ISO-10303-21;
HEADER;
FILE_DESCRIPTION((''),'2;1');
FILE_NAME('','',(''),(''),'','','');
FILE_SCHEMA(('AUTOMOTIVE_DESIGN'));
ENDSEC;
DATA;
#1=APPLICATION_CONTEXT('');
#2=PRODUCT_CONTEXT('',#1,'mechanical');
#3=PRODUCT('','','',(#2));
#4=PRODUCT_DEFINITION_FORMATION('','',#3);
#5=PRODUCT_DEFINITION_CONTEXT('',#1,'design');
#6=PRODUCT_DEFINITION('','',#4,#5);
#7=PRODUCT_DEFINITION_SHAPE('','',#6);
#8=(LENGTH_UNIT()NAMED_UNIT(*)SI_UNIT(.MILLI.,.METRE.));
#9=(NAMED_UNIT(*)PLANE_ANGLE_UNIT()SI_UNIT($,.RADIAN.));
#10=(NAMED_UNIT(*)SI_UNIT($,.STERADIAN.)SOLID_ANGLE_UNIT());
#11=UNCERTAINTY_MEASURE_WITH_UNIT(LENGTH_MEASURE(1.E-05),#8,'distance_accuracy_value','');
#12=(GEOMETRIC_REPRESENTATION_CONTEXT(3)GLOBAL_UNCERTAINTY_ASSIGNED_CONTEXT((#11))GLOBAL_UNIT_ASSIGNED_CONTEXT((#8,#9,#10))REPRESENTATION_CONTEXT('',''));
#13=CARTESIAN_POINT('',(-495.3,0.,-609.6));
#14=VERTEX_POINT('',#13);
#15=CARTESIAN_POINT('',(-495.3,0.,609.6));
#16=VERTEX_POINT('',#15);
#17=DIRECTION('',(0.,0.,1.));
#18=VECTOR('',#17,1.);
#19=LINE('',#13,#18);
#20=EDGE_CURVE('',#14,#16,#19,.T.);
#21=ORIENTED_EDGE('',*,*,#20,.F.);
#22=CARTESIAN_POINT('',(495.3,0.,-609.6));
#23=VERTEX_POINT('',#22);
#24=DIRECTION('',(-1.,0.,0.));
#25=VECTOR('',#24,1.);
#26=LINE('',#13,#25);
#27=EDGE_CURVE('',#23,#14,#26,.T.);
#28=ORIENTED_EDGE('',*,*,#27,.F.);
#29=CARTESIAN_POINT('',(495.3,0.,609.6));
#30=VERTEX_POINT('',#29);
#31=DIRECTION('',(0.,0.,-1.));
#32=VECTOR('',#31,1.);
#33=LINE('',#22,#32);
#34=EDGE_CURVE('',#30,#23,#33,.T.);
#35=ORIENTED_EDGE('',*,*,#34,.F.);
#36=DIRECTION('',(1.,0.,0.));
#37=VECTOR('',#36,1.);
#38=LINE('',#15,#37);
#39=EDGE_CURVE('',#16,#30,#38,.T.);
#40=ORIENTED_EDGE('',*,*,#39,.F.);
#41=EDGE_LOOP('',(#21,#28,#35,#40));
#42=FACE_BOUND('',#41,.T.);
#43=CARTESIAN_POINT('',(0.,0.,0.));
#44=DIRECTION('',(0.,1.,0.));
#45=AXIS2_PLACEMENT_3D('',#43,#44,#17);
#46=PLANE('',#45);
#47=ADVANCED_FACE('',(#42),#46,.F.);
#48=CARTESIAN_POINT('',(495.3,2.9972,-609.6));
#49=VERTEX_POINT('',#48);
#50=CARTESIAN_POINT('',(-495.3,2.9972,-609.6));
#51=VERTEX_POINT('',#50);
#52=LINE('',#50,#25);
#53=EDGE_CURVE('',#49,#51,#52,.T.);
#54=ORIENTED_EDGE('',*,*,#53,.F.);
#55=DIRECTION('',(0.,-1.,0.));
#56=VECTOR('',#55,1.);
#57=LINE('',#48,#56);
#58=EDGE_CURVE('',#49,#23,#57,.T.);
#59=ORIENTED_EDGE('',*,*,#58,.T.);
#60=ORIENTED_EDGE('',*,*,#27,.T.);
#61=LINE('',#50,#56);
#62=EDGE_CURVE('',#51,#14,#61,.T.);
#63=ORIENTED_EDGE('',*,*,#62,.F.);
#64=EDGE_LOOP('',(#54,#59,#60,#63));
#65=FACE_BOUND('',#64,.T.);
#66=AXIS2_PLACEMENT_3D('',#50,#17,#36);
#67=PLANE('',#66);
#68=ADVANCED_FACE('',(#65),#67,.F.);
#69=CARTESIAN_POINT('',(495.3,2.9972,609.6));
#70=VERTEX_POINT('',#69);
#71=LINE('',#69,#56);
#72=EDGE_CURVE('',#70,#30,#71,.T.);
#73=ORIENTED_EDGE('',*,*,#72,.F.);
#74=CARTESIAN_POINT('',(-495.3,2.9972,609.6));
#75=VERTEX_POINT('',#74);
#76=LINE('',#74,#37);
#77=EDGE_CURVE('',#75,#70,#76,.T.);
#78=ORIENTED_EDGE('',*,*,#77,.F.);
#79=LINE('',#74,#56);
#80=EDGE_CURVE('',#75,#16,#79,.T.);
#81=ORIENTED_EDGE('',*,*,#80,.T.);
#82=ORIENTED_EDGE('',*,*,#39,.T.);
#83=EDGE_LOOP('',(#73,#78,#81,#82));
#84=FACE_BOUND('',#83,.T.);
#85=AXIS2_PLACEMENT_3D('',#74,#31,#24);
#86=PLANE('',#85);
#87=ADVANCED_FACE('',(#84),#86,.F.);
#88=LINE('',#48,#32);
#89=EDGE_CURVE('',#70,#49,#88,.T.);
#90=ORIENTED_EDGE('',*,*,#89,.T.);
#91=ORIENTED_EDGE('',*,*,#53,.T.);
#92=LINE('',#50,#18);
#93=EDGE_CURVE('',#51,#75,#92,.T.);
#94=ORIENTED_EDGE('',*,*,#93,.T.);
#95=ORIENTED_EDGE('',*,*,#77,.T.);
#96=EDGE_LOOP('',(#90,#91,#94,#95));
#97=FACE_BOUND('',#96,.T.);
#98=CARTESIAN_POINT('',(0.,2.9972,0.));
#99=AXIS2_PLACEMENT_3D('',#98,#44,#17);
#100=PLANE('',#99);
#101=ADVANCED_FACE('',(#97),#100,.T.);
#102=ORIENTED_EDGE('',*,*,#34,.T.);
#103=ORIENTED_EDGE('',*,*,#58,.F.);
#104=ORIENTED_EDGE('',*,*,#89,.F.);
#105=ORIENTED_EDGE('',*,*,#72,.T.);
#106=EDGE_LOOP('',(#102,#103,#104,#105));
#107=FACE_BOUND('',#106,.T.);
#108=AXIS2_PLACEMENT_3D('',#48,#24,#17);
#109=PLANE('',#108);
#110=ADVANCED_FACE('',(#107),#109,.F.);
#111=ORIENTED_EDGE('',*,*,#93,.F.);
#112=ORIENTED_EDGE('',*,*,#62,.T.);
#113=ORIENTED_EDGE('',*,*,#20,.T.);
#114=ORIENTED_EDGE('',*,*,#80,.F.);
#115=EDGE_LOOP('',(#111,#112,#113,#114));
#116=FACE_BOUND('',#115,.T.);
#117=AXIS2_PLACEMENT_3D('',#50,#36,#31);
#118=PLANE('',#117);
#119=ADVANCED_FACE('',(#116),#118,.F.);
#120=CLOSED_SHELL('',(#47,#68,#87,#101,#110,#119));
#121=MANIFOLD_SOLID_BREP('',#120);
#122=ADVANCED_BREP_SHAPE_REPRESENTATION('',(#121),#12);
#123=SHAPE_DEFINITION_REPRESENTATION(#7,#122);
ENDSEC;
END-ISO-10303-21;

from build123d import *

# Parameters (mm, degrees)
SKETCH1_W           = 990.6
SKETCH1_H           = 1219.2
BOSS_EXTRUDE1_DEPTH = 2.9972


with BuildPart() as part:
    # Sketch1 → Boss-Extrude1 (new body)
    with BuildSketch(Plane(origin=(0, 0, 0), x_dir=(1, 0, 0), z_dir=(0, 1, 0))):
        Rectangle(SKETCH1_W, SKETCH1_H)
    extrude(amount=BOSS_EXTRUDE1_DEPTH)


solid = part.part
